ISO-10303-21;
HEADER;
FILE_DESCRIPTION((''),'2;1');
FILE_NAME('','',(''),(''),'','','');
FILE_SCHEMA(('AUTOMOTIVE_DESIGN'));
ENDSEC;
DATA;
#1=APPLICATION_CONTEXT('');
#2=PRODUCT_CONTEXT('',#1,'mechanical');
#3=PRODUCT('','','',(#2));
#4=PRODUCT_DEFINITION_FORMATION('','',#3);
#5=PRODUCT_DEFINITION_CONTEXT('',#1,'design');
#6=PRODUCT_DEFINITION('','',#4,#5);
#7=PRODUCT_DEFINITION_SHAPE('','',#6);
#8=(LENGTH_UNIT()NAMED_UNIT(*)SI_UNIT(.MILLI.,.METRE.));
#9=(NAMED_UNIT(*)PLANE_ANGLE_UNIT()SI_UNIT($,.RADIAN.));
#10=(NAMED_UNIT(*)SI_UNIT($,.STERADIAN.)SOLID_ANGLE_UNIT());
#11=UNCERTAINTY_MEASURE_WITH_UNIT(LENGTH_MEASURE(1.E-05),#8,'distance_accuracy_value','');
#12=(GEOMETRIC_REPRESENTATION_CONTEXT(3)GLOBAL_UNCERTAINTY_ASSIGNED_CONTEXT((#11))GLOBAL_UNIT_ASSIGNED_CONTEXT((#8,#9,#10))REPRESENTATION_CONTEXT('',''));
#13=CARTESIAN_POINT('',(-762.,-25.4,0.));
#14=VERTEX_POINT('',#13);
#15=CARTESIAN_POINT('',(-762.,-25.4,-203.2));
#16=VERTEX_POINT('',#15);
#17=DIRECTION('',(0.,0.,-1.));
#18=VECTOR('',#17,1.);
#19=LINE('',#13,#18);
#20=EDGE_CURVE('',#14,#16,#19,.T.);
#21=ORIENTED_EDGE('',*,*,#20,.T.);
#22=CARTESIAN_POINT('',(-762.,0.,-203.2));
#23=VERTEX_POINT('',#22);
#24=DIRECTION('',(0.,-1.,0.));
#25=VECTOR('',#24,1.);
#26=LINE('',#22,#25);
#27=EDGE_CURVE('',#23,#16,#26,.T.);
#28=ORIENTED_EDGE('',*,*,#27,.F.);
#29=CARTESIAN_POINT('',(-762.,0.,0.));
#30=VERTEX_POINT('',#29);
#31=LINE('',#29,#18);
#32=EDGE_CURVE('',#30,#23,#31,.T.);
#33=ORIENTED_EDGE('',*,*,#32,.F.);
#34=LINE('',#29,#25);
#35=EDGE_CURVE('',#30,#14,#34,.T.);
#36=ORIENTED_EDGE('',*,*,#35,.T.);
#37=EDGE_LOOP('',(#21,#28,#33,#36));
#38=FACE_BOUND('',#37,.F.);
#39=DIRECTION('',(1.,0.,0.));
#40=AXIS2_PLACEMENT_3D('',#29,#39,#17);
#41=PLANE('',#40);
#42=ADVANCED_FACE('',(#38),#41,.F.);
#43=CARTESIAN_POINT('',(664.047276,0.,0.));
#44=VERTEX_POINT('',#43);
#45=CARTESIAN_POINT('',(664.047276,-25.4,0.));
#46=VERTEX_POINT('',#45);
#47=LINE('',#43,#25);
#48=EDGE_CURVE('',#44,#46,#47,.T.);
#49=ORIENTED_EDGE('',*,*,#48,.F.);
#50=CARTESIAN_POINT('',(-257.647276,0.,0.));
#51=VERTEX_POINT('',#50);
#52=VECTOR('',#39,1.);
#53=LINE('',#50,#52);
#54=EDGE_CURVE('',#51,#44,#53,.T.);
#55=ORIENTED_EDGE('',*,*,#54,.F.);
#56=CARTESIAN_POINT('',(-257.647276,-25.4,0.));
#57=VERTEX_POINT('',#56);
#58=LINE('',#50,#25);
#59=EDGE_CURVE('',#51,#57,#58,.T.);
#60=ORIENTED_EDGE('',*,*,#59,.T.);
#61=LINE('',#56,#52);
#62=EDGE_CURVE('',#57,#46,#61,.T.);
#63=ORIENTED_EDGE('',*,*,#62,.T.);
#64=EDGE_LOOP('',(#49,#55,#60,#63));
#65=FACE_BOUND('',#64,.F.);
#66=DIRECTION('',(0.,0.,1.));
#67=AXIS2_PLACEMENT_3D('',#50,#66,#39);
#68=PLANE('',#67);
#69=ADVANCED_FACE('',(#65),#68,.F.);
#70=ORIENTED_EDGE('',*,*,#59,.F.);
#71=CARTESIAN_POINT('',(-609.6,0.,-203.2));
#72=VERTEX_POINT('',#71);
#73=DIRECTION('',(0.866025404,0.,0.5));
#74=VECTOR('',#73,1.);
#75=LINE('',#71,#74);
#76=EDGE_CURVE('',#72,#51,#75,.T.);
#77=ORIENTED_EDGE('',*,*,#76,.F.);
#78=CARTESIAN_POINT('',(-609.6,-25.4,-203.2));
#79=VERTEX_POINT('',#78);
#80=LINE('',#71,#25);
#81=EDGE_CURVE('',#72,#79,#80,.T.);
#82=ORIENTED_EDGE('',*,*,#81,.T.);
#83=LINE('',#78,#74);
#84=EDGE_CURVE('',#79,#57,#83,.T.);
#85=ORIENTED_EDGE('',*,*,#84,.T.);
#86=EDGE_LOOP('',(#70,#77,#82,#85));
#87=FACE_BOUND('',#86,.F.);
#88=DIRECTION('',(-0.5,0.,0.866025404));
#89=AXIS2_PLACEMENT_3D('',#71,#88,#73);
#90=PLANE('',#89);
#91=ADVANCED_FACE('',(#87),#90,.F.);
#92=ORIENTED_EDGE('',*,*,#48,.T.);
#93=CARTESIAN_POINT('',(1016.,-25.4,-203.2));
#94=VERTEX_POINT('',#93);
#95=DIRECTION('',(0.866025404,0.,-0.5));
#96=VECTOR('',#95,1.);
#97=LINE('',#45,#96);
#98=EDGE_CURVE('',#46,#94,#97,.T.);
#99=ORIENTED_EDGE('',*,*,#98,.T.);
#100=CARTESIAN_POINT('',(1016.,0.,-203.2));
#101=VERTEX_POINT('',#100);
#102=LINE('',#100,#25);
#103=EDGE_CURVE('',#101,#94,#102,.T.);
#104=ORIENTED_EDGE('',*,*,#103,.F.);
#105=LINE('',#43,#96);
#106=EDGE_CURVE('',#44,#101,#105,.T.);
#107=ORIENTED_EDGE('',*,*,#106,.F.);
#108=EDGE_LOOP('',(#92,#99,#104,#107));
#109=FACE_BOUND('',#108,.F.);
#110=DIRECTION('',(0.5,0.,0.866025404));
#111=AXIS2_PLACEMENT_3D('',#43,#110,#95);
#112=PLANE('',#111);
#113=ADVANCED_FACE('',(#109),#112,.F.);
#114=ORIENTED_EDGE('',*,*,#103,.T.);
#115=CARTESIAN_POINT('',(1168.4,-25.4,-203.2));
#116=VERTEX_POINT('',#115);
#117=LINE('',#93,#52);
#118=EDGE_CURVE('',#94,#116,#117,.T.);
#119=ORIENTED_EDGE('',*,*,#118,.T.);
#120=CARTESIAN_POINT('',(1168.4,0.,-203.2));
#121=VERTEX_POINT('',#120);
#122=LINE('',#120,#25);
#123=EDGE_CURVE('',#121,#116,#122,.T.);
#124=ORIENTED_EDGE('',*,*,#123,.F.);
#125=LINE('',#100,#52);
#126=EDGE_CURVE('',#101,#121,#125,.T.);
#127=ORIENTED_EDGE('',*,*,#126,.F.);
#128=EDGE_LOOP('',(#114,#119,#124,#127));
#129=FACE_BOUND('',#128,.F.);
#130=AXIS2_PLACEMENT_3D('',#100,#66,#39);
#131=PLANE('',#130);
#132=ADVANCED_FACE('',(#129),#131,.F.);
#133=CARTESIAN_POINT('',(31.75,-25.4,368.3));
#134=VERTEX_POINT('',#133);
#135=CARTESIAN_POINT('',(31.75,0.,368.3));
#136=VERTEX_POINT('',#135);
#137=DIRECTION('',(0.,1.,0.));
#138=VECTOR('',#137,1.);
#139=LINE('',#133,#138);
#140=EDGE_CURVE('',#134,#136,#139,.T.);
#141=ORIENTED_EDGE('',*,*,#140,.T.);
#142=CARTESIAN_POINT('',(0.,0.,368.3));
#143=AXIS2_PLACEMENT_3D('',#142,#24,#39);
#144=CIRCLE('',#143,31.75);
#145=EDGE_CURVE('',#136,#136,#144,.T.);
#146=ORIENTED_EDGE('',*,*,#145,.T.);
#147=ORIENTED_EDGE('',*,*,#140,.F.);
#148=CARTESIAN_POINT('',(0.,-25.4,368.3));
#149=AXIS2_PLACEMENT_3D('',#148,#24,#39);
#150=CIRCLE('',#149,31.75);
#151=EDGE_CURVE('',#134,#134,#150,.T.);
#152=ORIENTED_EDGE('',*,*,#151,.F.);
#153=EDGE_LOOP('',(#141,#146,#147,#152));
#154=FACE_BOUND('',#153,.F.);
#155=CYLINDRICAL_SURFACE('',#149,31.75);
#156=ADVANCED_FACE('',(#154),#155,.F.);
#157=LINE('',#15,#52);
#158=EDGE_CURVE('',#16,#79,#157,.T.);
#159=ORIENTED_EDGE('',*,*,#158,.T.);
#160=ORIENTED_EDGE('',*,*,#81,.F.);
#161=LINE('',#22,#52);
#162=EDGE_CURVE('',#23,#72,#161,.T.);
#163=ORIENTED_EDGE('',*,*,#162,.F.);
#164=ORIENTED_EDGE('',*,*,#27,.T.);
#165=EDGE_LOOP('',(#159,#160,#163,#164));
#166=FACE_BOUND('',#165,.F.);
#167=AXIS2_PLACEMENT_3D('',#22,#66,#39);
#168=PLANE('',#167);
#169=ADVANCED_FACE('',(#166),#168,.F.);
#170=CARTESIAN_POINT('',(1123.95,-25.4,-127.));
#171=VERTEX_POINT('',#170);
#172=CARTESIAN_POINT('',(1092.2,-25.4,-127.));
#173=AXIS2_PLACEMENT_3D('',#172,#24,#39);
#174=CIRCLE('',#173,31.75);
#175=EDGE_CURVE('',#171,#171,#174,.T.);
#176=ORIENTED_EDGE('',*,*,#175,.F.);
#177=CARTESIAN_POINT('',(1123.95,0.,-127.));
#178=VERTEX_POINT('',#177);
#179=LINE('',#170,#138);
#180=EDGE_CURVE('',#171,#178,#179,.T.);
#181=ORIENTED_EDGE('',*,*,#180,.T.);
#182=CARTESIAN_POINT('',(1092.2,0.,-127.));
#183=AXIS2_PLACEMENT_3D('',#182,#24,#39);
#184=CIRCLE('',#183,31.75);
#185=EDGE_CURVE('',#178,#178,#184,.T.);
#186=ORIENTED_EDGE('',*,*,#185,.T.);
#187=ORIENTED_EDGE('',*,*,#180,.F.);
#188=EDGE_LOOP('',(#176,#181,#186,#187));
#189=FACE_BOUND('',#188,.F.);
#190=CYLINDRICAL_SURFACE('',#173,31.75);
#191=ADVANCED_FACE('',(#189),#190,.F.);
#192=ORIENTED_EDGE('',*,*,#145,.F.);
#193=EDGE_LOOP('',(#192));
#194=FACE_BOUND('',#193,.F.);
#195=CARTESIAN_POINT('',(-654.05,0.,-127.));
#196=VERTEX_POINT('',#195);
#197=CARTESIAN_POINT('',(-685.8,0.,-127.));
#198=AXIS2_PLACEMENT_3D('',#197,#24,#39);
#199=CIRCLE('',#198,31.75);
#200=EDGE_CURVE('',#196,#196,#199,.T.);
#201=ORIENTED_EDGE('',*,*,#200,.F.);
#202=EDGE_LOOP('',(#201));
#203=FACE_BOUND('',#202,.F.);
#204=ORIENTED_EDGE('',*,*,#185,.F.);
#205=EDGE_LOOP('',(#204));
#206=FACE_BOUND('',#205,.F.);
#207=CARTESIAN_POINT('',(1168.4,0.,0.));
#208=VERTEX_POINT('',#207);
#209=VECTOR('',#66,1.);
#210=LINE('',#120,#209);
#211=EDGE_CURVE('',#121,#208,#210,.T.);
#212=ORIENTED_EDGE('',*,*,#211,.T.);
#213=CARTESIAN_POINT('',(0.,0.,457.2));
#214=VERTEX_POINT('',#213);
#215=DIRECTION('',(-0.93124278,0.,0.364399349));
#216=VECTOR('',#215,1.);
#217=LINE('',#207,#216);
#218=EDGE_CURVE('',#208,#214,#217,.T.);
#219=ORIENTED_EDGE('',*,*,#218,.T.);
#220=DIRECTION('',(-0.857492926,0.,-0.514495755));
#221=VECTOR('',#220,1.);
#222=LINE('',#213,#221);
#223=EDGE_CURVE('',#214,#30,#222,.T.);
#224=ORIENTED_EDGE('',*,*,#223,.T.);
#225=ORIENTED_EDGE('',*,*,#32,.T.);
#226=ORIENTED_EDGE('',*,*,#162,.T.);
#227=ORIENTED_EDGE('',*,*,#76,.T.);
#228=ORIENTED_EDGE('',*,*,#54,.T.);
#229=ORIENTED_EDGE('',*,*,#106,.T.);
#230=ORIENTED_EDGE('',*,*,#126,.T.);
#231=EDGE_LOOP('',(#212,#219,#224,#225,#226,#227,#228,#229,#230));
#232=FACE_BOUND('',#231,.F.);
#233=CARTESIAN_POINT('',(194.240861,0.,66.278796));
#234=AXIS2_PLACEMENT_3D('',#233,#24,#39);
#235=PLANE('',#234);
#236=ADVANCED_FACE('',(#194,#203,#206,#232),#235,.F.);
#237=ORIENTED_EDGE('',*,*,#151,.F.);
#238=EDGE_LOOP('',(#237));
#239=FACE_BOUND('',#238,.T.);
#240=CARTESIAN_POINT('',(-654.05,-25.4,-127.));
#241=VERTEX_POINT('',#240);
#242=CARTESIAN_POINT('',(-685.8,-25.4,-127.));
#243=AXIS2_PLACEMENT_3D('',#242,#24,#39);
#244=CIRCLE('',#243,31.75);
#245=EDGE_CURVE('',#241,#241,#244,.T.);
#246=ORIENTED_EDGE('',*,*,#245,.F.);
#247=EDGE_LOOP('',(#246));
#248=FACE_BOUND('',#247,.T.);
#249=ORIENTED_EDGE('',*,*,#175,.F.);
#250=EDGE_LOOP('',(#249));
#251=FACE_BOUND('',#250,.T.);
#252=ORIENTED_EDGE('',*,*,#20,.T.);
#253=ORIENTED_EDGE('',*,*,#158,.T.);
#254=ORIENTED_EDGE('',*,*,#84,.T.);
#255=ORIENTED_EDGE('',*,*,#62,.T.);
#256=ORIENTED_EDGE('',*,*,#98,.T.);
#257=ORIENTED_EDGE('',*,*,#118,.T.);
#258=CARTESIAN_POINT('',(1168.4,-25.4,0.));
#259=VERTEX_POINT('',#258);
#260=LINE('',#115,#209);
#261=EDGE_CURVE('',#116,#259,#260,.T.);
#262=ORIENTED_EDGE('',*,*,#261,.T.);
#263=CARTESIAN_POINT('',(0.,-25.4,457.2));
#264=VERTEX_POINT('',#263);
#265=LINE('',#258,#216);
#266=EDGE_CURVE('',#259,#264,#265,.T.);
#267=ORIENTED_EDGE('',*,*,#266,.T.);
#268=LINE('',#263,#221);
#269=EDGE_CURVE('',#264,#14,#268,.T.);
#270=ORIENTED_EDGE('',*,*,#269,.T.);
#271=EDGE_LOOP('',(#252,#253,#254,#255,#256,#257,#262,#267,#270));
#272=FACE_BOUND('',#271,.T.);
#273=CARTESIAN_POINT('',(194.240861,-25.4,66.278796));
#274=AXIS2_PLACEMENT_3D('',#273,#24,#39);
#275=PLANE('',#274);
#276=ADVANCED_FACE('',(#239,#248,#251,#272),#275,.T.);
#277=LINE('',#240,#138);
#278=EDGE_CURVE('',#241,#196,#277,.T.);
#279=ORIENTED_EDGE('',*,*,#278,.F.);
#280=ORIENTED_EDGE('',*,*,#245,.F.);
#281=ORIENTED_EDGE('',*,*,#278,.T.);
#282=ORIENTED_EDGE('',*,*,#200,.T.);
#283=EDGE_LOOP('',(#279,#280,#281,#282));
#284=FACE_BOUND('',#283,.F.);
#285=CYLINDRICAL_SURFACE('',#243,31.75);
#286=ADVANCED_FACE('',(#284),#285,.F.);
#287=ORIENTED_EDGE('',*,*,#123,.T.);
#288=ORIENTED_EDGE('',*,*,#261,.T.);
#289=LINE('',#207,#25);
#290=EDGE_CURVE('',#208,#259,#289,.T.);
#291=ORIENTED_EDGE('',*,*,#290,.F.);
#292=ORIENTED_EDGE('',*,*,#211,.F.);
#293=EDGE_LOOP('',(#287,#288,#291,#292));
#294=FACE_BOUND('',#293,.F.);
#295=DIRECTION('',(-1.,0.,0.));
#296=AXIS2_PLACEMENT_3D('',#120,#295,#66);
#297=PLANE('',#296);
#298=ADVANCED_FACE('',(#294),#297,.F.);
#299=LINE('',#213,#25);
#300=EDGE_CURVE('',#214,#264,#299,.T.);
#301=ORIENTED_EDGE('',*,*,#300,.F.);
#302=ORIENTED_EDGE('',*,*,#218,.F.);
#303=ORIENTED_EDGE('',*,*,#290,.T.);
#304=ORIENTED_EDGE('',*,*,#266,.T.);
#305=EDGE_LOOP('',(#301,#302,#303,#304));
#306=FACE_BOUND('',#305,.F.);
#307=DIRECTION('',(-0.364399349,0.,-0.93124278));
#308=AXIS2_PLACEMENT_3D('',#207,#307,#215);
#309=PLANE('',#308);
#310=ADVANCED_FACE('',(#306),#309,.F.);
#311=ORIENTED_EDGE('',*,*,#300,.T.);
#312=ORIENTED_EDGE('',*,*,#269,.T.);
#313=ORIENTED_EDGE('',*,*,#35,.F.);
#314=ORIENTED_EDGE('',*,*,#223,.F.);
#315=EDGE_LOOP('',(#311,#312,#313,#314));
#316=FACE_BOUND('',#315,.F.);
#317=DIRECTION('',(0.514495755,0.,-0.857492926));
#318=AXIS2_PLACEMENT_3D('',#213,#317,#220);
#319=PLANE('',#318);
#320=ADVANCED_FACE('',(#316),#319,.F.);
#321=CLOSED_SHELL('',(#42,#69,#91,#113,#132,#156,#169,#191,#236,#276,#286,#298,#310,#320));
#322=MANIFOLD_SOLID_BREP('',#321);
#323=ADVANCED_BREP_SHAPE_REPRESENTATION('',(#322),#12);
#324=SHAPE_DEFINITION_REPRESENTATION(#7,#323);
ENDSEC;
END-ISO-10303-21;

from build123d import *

# Parameters (mm, degrees)
F1_DEPTH = 25.4
F2_R     = 31.75
F3_DEPTH = 50.8


with BuildPart() as f1:
    # F0 (on Front) → F1 (new body)
    with BuildSketch(Plane.XZ):
        Polygon((0, 457.2), (-762, 0), (-762, -203.2), (-609.6, -203.2), (-257.647276, 0), (664.047276, 0), (1016, -203.2), (1168.4, -203.2), (1168.4, 0), align=None)
    extrude(amount=F1_DEPTH)

    # F2 (on face) → F3 (cut)
    with BuildSketch(Plane.XZ.offset(25.4)):
        with Locations((0, 368.3)):
            Circle(F2_R)
        with Locations((-685.8, -127)):
            Circle(F2_R)
        with Locations((1092.2, -127)):
            Circle(F2_R)
    extrude(amount=-F3_DEPTH, mode=Mode.SUBTRACT)


solid = f1.part
